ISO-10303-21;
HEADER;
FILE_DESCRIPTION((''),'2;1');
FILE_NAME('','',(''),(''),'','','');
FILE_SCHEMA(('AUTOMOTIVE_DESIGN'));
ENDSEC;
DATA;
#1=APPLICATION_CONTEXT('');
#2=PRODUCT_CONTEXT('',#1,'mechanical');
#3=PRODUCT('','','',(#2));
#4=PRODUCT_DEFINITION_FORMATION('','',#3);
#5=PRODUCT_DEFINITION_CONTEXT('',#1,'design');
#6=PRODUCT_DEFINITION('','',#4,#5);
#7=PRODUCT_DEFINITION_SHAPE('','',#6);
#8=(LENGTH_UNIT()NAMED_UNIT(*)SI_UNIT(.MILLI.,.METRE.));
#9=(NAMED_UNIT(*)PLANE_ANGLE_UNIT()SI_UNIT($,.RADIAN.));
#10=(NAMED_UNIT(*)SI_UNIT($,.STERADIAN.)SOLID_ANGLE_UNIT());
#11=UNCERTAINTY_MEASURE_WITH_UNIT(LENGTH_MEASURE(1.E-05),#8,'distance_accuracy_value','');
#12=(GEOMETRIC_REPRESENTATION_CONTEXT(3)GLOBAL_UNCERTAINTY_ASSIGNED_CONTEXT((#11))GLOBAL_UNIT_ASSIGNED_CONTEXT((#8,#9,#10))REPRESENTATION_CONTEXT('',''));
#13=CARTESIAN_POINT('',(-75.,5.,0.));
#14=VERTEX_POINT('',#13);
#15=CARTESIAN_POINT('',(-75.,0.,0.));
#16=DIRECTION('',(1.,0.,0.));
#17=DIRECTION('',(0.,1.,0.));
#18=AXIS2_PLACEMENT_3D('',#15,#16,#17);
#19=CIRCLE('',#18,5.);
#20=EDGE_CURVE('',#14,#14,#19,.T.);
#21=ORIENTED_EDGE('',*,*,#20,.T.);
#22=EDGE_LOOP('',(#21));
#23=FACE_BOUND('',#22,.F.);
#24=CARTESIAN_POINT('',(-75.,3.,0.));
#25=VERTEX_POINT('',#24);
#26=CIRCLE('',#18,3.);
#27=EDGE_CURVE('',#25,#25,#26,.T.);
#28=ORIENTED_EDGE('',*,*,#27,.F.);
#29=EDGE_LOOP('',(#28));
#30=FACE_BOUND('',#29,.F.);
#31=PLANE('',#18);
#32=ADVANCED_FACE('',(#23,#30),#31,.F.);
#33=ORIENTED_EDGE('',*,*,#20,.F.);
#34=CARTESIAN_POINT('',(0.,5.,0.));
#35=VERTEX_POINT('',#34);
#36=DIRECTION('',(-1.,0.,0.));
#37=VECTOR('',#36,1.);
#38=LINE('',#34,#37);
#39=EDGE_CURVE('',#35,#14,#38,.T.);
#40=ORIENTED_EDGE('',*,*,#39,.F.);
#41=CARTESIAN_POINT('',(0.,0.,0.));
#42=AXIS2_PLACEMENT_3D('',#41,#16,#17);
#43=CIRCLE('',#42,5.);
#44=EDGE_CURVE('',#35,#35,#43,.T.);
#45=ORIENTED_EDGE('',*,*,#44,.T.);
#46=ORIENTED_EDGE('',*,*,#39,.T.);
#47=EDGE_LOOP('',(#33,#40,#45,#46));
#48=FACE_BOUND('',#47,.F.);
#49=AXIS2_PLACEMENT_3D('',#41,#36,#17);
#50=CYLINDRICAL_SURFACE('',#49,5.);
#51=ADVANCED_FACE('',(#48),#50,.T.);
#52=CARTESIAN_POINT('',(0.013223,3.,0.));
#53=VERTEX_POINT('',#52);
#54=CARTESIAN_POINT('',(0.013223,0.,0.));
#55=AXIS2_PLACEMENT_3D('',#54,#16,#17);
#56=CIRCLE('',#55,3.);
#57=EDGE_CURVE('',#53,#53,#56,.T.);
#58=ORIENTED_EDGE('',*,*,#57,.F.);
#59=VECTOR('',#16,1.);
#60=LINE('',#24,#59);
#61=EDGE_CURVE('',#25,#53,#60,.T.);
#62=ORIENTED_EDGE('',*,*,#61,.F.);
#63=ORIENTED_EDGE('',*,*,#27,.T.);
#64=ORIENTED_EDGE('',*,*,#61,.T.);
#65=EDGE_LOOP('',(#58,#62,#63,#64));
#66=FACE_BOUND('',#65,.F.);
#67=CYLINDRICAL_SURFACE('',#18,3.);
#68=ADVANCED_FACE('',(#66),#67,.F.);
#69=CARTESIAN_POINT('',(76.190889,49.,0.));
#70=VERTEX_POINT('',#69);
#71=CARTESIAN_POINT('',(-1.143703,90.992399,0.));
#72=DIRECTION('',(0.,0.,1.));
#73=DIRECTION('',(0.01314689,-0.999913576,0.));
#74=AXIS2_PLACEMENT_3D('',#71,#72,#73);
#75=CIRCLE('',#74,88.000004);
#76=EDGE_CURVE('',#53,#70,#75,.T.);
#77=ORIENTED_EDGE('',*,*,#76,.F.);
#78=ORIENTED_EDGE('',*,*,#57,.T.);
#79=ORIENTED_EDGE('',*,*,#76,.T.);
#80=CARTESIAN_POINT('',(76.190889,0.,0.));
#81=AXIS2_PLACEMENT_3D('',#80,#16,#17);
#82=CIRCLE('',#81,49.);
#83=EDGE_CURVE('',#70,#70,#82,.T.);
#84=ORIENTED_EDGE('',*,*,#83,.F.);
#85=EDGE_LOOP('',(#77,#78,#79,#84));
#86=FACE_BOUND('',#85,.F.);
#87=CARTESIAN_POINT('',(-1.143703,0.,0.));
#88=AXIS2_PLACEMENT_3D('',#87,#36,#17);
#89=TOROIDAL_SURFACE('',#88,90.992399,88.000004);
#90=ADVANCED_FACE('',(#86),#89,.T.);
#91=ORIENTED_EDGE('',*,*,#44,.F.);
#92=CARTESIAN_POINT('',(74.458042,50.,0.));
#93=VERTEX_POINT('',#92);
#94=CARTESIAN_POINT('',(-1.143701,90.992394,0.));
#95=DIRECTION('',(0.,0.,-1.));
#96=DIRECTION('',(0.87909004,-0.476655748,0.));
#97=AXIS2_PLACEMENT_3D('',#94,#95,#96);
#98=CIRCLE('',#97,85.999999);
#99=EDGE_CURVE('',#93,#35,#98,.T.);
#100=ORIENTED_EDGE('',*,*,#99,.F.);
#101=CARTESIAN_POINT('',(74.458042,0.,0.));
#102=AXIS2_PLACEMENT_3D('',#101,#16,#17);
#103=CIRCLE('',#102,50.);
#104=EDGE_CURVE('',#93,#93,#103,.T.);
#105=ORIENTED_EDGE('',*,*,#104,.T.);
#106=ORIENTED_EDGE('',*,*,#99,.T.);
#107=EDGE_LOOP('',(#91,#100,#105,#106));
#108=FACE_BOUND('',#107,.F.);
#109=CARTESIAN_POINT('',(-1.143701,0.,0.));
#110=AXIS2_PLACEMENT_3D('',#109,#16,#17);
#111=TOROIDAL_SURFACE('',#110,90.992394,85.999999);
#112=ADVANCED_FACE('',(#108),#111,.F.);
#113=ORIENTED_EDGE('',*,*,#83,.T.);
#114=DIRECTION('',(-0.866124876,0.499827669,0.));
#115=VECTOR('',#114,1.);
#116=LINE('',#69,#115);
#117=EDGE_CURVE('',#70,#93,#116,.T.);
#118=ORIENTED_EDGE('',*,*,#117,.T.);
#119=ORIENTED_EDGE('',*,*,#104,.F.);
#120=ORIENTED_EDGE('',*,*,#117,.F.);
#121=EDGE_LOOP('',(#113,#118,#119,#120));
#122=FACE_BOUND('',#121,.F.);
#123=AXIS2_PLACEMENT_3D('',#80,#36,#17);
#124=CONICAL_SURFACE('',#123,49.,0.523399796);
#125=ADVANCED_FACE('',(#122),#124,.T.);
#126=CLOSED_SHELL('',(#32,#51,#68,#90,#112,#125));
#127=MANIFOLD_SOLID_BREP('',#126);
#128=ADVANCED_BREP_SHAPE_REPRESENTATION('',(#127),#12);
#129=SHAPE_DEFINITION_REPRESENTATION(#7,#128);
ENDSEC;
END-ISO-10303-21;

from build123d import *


with BuildPart() as f1:
    # F0 (on Top) → F1 (revolve)
    with BuildSketch(Plane.XY):
        with BuildLine():
            Line((0, 5), (-75, 5))
            Line((-75, 5), (-75, 3))
            Line((-75, 3), (0.013223, 3))
            ThreePointArc((0.013223, 3), (44.345082, 15.661322), (76.190889, 49))
            Line((76.190889, 49), (74.458042, 50))
            ThreePointArc((74.458042, 50), (43.339057, 17.390192), (0, 5))
        make_face()
    revolve(axis=Axis((-5.109195, 0, 0), (1, 0, 0)))


solid = f1.part
